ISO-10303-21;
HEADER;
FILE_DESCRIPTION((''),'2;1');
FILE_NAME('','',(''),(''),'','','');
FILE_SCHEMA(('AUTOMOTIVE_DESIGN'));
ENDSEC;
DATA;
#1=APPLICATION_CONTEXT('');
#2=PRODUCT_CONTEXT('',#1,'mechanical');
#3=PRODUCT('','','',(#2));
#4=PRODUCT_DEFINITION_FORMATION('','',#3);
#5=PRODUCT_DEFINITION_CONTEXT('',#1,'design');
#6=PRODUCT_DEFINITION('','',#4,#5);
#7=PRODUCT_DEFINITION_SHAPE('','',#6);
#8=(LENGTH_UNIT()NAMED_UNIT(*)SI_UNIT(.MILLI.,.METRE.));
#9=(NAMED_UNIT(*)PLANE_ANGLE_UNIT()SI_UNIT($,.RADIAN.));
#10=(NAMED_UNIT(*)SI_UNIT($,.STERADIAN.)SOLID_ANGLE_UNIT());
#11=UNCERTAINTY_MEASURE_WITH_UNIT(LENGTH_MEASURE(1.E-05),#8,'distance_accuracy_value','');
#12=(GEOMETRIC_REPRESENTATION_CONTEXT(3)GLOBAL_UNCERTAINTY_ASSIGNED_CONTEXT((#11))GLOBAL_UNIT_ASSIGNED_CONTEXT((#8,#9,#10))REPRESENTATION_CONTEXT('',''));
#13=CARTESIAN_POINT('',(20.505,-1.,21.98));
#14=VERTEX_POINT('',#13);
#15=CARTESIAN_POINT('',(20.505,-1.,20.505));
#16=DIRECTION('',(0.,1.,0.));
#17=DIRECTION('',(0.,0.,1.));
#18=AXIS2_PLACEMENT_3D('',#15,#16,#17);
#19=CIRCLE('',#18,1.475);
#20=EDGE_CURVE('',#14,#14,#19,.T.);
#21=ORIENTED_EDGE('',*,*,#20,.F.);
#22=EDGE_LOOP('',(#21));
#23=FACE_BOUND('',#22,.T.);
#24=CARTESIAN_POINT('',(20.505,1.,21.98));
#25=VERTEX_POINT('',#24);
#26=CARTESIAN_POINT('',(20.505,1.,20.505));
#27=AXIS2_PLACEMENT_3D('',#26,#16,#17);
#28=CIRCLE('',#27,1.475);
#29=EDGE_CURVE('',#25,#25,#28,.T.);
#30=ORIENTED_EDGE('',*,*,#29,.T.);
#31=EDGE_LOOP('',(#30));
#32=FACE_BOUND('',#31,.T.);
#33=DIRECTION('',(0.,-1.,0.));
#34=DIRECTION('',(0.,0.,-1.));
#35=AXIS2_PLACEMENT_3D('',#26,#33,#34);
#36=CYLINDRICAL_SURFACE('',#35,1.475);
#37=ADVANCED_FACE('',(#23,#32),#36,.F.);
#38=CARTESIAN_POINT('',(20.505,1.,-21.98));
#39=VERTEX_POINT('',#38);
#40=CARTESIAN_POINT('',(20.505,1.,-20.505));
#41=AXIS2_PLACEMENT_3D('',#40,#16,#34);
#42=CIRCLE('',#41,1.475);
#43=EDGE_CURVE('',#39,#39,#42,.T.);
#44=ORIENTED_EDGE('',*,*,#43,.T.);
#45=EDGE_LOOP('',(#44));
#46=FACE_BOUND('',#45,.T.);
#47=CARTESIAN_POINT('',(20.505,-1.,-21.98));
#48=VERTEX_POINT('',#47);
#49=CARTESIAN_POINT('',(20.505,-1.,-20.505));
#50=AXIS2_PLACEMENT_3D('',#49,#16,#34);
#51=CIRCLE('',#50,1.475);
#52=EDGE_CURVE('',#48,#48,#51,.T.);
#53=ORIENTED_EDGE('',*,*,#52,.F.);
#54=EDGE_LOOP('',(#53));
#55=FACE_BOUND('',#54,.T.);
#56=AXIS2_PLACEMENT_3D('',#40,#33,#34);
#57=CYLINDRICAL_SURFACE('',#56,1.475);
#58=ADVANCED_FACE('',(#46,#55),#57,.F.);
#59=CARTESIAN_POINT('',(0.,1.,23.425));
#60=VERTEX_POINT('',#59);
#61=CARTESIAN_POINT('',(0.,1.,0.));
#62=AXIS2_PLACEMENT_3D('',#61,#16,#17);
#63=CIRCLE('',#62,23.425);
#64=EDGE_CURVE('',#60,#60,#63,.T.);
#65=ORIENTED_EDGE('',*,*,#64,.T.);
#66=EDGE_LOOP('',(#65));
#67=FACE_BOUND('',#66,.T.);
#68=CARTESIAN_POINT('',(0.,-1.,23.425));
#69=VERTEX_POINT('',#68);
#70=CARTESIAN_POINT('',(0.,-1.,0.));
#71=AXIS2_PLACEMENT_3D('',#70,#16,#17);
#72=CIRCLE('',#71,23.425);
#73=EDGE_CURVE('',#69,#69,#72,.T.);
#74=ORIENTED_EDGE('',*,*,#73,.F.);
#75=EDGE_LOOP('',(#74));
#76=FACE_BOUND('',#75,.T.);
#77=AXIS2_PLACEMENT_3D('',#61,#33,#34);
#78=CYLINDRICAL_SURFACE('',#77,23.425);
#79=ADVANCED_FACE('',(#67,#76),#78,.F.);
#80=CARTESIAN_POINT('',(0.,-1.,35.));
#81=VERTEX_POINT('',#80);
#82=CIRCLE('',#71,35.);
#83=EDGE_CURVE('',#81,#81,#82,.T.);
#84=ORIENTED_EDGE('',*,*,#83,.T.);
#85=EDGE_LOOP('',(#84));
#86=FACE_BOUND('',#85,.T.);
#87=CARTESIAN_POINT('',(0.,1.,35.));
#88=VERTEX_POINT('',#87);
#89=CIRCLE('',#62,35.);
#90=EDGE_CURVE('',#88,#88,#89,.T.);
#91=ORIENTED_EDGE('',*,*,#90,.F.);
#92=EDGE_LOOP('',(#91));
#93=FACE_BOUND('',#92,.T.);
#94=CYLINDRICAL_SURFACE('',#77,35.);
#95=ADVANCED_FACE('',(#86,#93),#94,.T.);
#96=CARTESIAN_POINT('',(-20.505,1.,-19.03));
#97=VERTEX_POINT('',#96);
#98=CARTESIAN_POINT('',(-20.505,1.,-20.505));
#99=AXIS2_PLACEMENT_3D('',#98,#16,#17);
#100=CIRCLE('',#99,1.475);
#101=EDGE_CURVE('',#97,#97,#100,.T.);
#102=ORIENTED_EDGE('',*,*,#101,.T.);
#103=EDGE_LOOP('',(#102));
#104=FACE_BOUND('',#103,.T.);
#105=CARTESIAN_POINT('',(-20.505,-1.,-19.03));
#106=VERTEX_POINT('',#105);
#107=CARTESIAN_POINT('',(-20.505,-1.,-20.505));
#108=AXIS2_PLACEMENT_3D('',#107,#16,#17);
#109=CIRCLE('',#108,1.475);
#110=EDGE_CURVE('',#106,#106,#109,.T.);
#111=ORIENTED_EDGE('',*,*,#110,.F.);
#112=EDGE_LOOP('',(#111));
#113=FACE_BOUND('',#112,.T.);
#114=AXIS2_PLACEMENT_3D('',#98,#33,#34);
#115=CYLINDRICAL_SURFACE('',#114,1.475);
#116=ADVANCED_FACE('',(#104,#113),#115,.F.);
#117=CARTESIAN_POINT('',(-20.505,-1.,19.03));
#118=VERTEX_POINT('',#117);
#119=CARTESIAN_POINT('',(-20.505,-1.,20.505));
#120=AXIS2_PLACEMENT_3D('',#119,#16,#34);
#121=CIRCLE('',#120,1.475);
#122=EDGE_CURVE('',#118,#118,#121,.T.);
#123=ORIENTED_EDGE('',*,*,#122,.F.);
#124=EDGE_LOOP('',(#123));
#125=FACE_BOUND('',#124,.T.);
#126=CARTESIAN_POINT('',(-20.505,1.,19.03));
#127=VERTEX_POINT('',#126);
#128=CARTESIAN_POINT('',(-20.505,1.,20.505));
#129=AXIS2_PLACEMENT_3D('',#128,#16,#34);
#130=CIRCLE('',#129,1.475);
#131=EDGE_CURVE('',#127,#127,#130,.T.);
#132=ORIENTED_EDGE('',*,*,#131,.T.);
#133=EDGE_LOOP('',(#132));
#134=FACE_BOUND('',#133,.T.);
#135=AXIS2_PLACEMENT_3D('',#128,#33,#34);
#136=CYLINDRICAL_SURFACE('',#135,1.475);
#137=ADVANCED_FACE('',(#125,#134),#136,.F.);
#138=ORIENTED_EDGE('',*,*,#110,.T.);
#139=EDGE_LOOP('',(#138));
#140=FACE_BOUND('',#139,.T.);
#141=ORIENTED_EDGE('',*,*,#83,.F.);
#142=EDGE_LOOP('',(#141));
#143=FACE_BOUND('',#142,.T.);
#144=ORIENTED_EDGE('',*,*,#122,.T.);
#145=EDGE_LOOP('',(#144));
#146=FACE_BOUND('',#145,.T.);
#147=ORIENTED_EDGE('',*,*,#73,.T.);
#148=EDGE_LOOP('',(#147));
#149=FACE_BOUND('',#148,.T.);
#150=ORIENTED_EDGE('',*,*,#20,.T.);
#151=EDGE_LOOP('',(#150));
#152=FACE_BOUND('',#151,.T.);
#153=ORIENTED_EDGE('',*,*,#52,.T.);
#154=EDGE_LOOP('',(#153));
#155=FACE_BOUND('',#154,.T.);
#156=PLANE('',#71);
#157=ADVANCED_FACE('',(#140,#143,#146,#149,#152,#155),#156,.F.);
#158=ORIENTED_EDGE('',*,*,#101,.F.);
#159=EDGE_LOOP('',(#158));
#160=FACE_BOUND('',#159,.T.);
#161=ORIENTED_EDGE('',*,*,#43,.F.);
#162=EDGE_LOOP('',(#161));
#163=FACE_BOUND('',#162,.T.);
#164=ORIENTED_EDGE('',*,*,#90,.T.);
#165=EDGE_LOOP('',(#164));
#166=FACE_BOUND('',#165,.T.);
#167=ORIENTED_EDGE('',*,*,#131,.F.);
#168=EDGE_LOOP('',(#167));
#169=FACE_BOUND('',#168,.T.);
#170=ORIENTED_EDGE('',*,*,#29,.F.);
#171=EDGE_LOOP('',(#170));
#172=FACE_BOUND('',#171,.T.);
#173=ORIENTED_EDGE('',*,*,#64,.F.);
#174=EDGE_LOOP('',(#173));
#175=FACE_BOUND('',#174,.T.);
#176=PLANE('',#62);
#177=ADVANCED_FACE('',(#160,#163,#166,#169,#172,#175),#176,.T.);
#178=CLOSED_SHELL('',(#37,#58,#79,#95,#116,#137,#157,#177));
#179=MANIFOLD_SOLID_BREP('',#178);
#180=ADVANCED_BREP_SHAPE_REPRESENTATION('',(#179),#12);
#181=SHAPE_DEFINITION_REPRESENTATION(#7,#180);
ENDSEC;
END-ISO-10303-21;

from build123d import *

# Parameters (mm, degrees)
SKETCH1_R           = 35
SKETCH1_R_2         = 23.425
SKETCH1_R_3         = 1.475
BOSS_EXTRUDE1_DEPTH = 1


with BuildPart() as part:
    # Sketch1 → Boss-Extrude1 (new, symmetric)
    with BuildSketch(Plane(origin=(0, 0, 0), x_dir=(1, 0, 0), z_dir=(0, 1, 0))):
        with Locations(Location((0, 0, 0), (0, 0, 270))):
            Circle(SKETCH1_R)
        with Locations(Location((0, 0, 0), (0, 0, 270))):
            Circle(SKETCH1_R_2, mode=Mode.SUBTRACT)
        with Locations(Location((-20.505, 20.505, 0), (0, 0, 270))):
            Circle(SKETCH1_R_3, mode=Mode.SUBTRACT)
        with Locations(Location((20.505, 20.505, 0), (0, 0, 90))):
            Circle(SKETCH1_R_3, mode=Mode.SUBTRACT)
        with Locations(Location((20.505, -20.505, 0), (0, 0, 270))):
            Circle(SKETCH1_R_3, mode=Mode.SUBTRACT)
        with Locations(Location((-20.505, -20.505, 0), (0, 0, 90))):
            Circle(SKETCH1_R_3, mode=Mode.SUBTRACT)
    extrude(amount=BOSS_EXTRUDE1_DEPTH, both=True)


solid = part.part
